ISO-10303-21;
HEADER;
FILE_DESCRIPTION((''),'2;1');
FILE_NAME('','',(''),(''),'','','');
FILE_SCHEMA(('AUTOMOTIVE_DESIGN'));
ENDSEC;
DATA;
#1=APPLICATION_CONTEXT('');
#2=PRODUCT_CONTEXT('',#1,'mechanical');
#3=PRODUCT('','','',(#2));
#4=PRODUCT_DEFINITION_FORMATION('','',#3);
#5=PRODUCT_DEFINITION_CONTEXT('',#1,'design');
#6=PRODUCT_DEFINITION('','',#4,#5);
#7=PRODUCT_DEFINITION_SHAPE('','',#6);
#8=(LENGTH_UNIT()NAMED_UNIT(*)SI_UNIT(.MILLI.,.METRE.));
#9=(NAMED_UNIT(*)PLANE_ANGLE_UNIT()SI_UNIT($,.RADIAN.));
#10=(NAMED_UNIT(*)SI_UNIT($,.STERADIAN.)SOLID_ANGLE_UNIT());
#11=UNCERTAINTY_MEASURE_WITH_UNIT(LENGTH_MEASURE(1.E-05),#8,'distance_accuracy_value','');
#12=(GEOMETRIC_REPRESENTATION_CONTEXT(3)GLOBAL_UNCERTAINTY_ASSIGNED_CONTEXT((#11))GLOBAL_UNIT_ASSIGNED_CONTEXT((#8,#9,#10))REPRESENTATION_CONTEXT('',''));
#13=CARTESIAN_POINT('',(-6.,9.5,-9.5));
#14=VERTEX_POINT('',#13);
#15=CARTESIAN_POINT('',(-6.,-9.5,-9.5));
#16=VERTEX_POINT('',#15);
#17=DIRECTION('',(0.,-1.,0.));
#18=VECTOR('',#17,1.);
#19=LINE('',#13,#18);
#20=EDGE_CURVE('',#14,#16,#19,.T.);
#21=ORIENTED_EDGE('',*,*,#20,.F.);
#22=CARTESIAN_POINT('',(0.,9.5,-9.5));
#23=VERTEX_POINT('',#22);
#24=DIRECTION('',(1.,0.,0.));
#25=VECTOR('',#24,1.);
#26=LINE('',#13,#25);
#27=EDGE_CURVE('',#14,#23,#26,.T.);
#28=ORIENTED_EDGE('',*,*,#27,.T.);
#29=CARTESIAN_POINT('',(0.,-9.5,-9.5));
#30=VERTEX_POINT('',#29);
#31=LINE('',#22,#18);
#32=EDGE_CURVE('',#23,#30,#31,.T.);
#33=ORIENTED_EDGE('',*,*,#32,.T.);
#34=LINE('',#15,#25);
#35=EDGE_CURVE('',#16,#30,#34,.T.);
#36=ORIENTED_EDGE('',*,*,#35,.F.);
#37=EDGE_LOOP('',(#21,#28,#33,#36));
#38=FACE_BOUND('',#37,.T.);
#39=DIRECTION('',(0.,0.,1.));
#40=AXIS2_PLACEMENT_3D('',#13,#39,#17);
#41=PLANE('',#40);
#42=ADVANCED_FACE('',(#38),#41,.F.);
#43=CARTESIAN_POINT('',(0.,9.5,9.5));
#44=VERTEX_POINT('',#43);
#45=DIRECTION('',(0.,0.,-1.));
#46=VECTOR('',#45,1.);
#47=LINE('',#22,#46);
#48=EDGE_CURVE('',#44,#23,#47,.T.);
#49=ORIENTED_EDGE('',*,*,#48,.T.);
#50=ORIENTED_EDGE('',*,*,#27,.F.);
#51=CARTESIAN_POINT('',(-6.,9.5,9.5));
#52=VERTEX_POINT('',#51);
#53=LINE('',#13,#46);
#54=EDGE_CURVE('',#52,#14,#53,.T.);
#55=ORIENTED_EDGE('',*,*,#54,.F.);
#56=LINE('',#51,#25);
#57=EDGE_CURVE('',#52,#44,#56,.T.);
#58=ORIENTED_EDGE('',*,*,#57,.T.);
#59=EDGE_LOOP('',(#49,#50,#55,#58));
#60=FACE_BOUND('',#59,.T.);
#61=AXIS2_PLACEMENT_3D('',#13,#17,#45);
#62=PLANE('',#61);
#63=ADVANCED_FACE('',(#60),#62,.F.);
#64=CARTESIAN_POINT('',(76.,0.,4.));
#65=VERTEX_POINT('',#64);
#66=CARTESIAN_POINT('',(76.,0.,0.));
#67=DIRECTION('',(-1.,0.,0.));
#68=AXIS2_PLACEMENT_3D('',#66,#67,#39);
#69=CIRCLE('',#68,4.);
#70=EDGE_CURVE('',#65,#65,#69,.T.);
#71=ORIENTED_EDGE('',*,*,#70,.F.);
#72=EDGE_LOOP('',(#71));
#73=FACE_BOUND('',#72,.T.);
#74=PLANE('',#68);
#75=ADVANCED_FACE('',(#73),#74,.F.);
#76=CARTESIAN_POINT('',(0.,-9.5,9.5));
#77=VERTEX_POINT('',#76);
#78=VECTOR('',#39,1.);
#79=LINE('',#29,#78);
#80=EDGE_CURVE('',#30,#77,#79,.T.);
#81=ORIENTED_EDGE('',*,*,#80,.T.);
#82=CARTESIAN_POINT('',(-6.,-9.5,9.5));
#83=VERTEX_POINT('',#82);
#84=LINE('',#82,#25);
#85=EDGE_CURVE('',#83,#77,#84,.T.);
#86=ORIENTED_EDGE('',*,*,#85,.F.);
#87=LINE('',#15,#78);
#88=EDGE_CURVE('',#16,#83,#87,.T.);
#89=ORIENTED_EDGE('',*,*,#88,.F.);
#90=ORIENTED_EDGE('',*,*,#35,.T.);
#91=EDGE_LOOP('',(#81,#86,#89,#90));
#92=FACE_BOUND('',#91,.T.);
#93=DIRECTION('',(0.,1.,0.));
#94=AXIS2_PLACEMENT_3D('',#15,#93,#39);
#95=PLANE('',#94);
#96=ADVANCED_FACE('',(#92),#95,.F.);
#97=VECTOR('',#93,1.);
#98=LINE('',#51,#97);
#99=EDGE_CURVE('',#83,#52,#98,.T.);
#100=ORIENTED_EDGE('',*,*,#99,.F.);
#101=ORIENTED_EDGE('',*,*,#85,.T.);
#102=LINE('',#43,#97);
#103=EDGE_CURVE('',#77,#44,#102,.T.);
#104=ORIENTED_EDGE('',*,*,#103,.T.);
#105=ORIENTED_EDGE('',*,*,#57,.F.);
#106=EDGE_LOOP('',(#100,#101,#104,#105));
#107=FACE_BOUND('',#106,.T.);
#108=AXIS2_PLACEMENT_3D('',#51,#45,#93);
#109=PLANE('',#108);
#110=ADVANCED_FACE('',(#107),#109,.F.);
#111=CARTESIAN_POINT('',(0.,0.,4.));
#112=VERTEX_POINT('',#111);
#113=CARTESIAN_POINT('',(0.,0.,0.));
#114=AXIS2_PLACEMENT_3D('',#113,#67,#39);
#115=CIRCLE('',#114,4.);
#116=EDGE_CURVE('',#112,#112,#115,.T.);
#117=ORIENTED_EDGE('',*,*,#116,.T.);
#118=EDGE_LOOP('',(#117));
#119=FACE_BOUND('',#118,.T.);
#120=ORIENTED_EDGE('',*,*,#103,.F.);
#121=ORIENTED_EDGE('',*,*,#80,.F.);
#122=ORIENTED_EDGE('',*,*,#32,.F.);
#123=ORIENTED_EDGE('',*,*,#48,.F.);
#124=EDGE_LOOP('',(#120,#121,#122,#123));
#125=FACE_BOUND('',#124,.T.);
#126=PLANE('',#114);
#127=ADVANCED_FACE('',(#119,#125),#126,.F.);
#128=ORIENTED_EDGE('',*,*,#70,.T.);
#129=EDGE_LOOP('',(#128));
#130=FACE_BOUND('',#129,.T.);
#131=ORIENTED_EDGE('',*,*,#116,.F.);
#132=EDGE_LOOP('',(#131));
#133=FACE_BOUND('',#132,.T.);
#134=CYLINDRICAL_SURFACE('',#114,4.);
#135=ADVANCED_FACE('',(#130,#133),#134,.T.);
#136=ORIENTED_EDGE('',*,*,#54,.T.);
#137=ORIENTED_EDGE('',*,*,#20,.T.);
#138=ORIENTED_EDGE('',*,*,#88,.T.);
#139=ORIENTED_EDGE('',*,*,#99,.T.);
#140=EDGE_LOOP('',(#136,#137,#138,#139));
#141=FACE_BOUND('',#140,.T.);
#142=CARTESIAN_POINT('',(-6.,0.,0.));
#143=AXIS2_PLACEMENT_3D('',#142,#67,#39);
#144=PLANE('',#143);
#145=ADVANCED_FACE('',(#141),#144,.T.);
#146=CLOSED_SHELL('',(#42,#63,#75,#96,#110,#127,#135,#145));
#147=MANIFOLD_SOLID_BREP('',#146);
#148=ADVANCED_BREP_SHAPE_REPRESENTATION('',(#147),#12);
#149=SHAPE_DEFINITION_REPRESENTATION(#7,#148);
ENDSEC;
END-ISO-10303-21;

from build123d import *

# Parameters (mm, degrees)
SKETCH1_W           = 76
SKETCH1_H           = 4
SKETCH2_W           = 19
SKETCH2_H           = 19
BOSS_EXTRUDE1_DEPTH = 6


with BuildPart() as part:
    # Sketch1 → Revolve1 (revolve)
    with BuildSketch(Plane.XY, mode=Mode.PRIVATE) as revolve1_sk:
        with Locations((38, 2)):
            Rectangle(SKETCH1_W, SKETCH1_H)
    revolve(revolve1_sk.sketch.rotate(Axis((0, 0, 0), (1, 0, 0)), 90), axis=Axis((0, 0, 0), (1, 0, 0)))  # turned: the seam where the file's is

    # Sketch2 → Boss-Extrude1 (add)
    with BuildSketch(Plane.ZY):
        Rectangle(SKETCH2_W, SKETCH2_H)
    extrude(amount=BOSS_EXTRUDE1_DEPTH)


solid = part.part
